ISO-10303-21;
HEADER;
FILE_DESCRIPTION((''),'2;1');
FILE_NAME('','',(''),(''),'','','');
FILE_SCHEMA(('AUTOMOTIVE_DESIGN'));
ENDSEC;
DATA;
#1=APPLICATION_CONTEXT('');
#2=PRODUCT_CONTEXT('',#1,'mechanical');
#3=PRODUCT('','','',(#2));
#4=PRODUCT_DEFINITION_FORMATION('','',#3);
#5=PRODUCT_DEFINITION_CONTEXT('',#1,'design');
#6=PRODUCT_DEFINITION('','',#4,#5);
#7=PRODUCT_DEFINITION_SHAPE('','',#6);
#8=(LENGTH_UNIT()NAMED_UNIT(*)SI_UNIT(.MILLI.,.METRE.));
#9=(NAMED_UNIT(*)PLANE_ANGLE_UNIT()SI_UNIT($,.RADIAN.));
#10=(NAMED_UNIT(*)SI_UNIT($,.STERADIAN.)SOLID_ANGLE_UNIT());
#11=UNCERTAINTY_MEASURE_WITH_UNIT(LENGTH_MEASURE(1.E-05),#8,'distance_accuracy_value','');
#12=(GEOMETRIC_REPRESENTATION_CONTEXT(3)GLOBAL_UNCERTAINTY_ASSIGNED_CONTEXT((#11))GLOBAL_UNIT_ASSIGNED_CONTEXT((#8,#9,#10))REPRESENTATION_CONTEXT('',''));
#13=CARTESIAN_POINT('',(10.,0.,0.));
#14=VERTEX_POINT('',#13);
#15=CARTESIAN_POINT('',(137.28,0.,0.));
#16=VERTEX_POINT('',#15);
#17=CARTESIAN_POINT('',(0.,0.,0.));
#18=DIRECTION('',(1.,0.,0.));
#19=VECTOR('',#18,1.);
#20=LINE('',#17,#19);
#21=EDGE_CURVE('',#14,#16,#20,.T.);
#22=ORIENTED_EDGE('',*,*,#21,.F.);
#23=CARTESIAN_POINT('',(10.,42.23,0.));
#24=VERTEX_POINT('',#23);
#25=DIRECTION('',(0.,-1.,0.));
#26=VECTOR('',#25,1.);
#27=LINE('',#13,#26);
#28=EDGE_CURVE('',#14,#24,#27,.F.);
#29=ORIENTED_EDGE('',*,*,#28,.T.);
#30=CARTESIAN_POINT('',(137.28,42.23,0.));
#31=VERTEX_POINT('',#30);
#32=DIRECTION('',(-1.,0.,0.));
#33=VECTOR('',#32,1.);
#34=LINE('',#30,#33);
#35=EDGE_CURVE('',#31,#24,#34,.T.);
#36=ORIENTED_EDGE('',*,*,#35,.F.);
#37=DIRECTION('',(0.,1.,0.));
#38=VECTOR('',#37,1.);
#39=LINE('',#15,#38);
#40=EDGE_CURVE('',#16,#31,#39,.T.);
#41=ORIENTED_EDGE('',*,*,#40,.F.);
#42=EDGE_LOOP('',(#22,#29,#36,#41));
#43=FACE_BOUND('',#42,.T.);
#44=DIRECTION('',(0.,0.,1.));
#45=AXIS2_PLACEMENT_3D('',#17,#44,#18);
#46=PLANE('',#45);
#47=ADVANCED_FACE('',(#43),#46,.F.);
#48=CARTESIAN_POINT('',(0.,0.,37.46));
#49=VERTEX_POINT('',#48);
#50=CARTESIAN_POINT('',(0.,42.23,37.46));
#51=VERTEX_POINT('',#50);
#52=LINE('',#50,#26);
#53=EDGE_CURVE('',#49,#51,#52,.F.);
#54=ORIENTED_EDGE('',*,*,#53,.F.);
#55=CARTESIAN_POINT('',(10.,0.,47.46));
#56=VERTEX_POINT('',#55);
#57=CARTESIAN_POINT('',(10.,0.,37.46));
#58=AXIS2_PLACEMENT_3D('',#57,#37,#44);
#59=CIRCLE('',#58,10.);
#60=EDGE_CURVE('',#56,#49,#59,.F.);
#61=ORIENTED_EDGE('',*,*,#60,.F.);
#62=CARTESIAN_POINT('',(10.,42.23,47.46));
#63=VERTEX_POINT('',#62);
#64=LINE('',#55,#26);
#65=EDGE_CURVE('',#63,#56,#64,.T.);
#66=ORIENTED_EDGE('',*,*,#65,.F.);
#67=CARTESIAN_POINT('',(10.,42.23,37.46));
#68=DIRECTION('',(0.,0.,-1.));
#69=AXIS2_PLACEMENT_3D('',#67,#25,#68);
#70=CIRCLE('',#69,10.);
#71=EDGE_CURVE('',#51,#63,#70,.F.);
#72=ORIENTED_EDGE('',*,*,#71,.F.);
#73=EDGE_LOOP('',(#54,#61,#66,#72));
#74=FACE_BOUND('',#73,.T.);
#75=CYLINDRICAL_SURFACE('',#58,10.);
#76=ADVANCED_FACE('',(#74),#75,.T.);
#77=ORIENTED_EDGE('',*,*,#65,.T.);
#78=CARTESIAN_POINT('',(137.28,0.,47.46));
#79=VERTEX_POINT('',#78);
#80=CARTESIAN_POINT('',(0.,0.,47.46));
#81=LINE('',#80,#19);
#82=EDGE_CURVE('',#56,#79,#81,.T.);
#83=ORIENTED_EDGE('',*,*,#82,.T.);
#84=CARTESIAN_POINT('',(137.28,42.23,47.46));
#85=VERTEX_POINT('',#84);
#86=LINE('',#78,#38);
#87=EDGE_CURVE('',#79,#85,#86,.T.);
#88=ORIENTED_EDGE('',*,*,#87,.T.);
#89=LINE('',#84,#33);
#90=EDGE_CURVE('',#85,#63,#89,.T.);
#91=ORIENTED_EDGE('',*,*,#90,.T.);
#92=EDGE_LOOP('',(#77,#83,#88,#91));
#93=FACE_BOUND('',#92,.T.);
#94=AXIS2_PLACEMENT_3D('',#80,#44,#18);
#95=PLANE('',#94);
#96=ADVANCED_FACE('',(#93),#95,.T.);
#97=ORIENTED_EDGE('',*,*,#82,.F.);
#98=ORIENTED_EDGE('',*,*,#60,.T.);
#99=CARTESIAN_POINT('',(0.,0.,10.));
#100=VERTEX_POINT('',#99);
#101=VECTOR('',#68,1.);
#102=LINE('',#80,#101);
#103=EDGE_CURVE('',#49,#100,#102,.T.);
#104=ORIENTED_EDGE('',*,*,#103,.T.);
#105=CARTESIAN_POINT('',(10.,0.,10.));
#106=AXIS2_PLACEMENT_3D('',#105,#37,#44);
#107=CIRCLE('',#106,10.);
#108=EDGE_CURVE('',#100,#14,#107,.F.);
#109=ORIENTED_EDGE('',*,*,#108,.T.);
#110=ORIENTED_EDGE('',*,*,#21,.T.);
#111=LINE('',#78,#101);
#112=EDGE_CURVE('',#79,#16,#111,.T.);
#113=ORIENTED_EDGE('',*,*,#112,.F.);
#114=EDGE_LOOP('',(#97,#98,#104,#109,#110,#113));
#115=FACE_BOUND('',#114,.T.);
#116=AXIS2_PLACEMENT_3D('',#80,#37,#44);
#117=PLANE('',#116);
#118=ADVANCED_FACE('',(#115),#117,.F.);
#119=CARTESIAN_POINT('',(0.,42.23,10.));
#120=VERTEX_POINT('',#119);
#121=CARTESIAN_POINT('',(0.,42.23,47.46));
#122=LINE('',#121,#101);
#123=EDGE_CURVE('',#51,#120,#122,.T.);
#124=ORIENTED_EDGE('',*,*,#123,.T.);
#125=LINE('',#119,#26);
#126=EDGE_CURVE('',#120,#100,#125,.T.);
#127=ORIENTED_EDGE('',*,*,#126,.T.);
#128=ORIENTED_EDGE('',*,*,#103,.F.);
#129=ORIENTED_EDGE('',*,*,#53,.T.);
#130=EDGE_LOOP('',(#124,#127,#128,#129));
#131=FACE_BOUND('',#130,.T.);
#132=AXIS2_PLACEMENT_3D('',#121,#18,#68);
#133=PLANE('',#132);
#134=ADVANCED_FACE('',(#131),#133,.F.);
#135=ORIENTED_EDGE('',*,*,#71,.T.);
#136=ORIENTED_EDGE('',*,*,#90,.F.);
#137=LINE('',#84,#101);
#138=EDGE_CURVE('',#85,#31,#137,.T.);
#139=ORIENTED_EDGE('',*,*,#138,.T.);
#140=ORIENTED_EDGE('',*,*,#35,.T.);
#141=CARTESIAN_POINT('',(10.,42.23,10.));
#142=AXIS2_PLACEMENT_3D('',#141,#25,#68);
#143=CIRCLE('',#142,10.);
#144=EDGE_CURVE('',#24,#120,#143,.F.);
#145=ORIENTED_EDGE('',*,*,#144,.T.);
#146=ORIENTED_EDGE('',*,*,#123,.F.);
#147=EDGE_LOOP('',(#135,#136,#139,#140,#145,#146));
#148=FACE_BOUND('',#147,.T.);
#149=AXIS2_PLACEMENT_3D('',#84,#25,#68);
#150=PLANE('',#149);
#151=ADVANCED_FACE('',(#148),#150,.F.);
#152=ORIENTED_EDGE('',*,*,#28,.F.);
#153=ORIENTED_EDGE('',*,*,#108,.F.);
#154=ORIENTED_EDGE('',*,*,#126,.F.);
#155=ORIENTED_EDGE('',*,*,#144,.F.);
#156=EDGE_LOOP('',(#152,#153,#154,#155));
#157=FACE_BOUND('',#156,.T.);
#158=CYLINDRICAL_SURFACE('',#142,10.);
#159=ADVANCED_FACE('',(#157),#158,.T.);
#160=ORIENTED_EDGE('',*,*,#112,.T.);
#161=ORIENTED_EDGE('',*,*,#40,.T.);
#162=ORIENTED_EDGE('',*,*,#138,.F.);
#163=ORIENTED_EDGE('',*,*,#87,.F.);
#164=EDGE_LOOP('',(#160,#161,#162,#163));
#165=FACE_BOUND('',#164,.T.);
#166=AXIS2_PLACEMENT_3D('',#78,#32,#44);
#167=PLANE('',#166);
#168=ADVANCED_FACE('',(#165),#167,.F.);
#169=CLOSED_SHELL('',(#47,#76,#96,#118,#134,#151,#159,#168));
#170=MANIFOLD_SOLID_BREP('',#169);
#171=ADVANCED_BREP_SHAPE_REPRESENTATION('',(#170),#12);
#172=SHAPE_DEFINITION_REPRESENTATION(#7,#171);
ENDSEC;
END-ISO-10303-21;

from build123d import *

# Parameters (mm, degrees)
SKETCH1_W           = 137.28
SKETCH1_H           = 42.23
BOSS_EXTRUDE1_DEPTH = 47.46
FILLET1_R           = 10


with BuildPart() as part:
    # Sketch1 → Boss-Extrude1 (new body)
    with BuildSketch(Plane.XY):
        with Locations((68.64, 21.115)):
            Rectangle(SKETCH1_W, SKETCH1_H)
    extrude(amount=BOSS_EXTRUDE1_DEPTH)

    # Fillet1
    fillet1_edges = [part.edges().sort_by_distance(p)[0] for p in [
        (0, 21.115, 47.46),
        (0, 21.115, 0),
    ]]
    fillet(fillet1_edges, radius=FILLET1_R)


solid = part.part
